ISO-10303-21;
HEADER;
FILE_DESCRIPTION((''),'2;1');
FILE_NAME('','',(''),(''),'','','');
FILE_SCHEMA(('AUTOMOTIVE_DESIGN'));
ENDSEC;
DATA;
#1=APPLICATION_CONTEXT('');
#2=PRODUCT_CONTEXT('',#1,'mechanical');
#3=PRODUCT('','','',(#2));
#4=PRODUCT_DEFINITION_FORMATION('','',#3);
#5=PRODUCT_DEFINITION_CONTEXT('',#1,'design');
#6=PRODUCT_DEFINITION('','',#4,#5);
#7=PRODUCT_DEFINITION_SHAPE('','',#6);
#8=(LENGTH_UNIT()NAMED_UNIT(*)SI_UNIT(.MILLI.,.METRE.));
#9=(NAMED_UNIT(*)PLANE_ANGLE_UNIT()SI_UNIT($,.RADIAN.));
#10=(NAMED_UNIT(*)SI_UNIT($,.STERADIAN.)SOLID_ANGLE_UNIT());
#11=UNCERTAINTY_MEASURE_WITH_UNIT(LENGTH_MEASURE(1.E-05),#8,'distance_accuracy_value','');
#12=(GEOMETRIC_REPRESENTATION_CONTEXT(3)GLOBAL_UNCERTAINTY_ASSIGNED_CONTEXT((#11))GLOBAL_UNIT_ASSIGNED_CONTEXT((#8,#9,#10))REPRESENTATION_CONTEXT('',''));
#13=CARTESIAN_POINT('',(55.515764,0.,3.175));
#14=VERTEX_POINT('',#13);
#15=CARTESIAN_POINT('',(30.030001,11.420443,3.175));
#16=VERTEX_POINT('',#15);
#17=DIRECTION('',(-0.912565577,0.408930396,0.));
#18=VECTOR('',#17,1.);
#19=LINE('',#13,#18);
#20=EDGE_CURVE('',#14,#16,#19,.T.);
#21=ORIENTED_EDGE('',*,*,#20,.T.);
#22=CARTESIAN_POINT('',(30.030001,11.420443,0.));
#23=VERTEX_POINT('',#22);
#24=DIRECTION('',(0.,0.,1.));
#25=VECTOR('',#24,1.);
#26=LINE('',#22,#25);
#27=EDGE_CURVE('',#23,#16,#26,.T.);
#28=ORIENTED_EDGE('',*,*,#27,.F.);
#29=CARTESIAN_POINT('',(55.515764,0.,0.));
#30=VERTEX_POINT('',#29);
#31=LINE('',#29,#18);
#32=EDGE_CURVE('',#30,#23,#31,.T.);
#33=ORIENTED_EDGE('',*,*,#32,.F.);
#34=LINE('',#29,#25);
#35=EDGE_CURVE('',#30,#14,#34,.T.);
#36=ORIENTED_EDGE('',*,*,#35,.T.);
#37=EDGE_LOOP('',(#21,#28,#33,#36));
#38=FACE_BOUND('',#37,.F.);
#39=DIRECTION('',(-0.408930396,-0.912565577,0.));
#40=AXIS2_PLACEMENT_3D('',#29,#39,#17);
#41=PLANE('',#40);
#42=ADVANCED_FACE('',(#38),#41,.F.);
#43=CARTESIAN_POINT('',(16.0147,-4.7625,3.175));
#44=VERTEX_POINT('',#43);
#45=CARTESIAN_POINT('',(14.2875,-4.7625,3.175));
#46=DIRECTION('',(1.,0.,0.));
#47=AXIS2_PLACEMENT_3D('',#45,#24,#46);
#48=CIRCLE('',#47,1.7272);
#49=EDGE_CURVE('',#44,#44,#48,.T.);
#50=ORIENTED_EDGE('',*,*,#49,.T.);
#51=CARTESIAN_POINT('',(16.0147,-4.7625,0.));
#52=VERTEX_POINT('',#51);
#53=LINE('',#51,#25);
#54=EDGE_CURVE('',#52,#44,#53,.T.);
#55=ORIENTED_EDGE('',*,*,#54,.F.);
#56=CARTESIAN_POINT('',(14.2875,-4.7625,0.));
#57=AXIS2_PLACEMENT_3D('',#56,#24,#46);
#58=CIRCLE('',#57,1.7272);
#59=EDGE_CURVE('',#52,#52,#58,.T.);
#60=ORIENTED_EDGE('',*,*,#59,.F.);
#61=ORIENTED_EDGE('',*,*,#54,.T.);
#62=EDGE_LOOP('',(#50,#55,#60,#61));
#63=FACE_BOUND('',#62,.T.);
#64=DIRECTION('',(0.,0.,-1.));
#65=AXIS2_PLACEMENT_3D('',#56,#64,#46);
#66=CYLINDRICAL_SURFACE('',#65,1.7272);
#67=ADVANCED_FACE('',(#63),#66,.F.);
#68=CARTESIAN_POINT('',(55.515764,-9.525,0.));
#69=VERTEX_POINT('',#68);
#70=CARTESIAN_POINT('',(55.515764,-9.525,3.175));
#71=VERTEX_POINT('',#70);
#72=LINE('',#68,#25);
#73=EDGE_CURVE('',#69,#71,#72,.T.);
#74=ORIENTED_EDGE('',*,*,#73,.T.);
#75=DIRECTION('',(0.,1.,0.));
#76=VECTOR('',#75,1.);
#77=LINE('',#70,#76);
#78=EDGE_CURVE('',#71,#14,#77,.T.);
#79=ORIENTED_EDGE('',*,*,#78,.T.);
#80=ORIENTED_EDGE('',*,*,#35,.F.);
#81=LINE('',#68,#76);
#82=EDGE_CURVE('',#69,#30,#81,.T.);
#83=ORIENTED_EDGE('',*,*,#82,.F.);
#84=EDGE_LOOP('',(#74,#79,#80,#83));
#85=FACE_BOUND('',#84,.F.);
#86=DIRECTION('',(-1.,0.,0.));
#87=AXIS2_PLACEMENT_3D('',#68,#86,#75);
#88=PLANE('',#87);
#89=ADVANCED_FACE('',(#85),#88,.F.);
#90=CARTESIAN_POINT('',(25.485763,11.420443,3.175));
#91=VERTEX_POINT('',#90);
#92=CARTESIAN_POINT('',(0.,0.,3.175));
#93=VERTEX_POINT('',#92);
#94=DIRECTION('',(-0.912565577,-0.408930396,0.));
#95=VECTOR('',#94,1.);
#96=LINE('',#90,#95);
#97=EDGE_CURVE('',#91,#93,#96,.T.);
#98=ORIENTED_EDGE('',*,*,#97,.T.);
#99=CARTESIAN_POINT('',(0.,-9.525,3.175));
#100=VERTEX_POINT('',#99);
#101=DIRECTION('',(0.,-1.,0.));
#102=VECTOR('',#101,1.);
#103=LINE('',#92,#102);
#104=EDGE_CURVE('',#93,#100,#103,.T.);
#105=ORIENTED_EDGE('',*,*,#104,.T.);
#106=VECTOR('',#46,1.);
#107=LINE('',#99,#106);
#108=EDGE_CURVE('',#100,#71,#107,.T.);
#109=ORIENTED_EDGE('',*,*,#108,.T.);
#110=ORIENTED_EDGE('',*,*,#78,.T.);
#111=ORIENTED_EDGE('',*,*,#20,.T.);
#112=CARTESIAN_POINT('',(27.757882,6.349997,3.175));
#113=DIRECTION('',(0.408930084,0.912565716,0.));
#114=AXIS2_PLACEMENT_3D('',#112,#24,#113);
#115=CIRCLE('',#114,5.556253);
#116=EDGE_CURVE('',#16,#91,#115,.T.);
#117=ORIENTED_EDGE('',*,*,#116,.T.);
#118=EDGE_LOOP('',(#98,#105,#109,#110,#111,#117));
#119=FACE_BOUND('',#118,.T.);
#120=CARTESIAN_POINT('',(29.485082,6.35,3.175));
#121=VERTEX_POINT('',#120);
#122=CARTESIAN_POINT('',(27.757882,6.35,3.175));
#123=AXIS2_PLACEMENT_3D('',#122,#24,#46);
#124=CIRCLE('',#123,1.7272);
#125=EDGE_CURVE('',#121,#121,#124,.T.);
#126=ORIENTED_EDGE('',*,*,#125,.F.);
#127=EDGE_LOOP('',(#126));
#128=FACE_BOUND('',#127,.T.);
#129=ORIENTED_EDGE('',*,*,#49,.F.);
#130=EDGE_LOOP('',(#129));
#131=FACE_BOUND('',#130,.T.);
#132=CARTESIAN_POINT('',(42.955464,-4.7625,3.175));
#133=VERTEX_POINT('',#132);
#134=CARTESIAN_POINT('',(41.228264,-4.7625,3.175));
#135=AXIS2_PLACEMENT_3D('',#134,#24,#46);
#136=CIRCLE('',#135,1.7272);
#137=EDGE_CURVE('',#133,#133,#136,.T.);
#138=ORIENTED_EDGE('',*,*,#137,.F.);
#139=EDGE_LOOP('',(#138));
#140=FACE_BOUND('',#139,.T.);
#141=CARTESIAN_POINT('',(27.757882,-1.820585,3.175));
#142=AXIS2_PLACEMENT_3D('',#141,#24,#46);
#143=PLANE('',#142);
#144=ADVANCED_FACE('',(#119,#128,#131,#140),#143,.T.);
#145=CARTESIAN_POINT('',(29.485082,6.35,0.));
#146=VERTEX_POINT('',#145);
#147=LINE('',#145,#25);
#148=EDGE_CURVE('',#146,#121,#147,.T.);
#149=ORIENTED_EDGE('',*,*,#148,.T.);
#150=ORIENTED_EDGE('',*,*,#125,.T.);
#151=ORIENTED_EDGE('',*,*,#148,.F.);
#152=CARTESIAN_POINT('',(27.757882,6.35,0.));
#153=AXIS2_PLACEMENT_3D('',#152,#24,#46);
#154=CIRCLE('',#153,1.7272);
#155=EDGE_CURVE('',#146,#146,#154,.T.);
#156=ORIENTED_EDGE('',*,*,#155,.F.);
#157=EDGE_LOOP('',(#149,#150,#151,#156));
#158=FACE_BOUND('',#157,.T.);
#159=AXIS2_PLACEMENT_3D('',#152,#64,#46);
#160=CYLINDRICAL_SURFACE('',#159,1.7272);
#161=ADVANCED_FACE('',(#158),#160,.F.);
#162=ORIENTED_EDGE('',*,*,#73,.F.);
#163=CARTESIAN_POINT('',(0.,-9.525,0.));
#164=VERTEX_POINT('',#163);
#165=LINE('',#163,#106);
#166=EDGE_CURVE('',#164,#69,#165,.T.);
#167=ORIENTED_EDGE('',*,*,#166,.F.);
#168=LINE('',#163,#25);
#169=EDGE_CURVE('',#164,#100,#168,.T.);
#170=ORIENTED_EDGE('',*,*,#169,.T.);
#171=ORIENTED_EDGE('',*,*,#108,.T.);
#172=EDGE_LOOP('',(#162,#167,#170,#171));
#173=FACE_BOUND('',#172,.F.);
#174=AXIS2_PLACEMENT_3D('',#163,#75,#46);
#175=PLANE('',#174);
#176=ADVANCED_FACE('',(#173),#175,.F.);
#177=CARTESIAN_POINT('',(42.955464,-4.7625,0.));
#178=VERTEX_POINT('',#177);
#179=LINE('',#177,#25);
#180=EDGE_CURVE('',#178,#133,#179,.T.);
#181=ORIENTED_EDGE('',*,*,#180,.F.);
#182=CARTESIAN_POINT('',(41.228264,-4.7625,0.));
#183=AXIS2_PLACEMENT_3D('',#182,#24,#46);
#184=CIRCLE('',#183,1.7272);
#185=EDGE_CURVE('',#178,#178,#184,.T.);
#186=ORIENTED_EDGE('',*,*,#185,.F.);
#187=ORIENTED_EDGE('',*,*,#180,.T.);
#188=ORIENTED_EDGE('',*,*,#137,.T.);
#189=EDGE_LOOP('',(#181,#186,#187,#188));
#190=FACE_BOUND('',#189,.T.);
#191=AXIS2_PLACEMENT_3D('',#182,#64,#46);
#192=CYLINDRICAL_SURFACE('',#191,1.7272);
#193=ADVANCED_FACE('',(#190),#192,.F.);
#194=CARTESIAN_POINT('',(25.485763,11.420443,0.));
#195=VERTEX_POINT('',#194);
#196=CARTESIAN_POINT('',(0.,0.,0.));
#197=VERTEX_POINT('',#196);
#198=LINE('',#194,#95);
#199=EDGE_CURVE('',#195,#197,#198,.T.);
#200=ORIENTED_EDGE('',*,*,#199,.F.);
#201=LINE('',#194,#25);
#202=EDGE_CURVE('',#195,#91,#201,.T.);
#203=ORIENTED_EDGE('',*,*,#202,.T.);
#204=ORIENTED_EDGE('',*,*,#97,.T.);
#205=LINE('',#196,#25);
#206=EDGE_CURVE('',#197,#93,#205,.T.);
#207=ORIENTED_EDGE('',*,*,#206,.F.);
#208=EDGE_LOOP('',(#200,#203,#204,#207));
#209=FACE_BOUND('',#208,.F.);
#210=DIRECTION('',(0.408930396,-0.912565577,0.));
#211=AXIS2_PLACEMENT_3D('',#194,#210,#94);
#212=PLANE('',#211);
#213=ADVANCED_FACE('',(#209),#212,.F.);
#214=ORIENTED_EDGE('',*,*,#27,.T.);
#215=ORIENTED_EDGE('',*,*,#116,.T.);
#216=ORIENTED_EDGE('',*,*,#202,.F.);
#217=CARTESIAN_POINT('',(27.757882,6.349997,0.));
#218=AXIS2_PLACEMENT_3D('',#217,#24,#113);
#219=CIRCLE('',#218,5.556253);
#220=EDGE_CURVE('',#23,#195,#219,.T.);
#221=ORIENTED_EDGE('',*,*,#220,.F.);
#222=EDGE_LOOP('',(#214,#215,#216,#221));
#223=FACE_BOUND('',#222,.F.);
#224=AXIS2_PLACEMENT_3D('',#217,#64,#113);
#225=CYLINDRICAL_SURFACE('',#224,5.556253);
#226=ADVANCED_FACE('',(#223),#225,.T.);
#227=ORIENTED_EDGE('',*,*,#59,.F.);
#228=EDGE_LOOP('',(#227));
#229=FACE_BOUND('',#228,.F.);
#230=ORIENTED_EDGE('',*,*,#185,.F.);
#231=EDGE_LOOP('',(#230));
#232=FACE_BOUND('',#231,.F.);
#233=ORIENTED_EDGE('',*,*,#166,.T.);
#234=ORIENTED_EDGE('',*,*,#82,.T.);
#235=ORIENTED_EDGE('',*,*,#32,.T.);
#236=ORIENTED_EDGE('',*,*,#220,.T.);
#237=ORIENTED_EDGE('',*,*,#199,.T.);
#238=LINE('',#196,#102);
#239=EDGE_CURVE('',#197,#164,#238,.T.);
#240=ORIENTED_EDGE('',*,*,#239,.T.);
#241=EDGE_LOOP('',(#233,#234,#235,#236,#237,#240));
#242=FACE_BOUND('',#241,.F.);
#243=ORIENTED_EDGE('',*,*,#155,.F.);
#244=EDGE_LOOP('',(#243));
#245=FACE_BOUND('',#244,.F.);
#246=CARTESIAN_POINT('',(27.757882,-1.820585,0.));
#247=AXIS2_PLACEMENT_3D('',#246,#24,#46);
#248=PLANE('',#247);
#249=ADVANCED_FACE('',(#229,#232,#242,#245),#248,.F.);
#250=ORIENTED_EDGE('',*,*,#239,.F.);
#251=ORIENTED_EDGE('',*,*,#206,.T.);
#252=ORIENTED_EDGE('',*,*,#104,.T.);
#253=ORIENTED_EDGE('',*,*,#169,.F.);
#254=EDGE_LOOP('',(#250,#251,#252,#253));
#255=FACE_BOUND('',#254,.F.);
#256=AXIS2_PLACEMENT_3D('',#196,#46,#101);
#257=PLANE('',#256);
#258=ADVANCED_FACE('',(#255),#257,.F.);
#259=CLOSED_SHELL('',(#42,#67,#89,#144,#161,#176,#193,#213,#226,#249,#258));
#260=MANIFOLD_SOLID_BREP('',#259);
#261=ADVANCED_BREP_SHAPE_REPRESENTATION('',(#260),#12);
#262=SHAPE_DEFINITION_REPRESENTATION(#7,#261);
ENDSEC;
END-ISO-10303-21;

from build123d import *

# Parameters (mm, degrees)
F0_R     = 1.7272
F1_DEPTH = 3.175


with BuildPart() as f1:
    # F0 (on Top) → F1 (new body)
    with BuildSketch(Plane.XY):
        with BuildLine():
            Line((0, 0), (0, -9.525))
            Line((0, -9.525), (55.515764, -9.525))
            Line((55.515764, -9.525), (55.515764, 0))
            Line((55.515764, 0), (30.030001, 11.420443))
            ThreePointArc((30.030001, 11.420443), (27.757882, 11.90625), (25.485763, 11.420443))
            Line((25.485763, 11.420443), (0, 0))
        make_face()
        with Locations((14.2875, -4.7625)):
            Circle(F0_R, mode=Mode.SUBTRACT)
        with Locations((41.228264, -4.7625)):
            Circle(F0_R, mode=Mode.SUBTRACT)
        with Locations((27.757882, 6.35)):
            Circle(F0_R, mode=Mode.SUBTRACT)
    extrude(amount=F1_DEPTH)


solid = f1.part
